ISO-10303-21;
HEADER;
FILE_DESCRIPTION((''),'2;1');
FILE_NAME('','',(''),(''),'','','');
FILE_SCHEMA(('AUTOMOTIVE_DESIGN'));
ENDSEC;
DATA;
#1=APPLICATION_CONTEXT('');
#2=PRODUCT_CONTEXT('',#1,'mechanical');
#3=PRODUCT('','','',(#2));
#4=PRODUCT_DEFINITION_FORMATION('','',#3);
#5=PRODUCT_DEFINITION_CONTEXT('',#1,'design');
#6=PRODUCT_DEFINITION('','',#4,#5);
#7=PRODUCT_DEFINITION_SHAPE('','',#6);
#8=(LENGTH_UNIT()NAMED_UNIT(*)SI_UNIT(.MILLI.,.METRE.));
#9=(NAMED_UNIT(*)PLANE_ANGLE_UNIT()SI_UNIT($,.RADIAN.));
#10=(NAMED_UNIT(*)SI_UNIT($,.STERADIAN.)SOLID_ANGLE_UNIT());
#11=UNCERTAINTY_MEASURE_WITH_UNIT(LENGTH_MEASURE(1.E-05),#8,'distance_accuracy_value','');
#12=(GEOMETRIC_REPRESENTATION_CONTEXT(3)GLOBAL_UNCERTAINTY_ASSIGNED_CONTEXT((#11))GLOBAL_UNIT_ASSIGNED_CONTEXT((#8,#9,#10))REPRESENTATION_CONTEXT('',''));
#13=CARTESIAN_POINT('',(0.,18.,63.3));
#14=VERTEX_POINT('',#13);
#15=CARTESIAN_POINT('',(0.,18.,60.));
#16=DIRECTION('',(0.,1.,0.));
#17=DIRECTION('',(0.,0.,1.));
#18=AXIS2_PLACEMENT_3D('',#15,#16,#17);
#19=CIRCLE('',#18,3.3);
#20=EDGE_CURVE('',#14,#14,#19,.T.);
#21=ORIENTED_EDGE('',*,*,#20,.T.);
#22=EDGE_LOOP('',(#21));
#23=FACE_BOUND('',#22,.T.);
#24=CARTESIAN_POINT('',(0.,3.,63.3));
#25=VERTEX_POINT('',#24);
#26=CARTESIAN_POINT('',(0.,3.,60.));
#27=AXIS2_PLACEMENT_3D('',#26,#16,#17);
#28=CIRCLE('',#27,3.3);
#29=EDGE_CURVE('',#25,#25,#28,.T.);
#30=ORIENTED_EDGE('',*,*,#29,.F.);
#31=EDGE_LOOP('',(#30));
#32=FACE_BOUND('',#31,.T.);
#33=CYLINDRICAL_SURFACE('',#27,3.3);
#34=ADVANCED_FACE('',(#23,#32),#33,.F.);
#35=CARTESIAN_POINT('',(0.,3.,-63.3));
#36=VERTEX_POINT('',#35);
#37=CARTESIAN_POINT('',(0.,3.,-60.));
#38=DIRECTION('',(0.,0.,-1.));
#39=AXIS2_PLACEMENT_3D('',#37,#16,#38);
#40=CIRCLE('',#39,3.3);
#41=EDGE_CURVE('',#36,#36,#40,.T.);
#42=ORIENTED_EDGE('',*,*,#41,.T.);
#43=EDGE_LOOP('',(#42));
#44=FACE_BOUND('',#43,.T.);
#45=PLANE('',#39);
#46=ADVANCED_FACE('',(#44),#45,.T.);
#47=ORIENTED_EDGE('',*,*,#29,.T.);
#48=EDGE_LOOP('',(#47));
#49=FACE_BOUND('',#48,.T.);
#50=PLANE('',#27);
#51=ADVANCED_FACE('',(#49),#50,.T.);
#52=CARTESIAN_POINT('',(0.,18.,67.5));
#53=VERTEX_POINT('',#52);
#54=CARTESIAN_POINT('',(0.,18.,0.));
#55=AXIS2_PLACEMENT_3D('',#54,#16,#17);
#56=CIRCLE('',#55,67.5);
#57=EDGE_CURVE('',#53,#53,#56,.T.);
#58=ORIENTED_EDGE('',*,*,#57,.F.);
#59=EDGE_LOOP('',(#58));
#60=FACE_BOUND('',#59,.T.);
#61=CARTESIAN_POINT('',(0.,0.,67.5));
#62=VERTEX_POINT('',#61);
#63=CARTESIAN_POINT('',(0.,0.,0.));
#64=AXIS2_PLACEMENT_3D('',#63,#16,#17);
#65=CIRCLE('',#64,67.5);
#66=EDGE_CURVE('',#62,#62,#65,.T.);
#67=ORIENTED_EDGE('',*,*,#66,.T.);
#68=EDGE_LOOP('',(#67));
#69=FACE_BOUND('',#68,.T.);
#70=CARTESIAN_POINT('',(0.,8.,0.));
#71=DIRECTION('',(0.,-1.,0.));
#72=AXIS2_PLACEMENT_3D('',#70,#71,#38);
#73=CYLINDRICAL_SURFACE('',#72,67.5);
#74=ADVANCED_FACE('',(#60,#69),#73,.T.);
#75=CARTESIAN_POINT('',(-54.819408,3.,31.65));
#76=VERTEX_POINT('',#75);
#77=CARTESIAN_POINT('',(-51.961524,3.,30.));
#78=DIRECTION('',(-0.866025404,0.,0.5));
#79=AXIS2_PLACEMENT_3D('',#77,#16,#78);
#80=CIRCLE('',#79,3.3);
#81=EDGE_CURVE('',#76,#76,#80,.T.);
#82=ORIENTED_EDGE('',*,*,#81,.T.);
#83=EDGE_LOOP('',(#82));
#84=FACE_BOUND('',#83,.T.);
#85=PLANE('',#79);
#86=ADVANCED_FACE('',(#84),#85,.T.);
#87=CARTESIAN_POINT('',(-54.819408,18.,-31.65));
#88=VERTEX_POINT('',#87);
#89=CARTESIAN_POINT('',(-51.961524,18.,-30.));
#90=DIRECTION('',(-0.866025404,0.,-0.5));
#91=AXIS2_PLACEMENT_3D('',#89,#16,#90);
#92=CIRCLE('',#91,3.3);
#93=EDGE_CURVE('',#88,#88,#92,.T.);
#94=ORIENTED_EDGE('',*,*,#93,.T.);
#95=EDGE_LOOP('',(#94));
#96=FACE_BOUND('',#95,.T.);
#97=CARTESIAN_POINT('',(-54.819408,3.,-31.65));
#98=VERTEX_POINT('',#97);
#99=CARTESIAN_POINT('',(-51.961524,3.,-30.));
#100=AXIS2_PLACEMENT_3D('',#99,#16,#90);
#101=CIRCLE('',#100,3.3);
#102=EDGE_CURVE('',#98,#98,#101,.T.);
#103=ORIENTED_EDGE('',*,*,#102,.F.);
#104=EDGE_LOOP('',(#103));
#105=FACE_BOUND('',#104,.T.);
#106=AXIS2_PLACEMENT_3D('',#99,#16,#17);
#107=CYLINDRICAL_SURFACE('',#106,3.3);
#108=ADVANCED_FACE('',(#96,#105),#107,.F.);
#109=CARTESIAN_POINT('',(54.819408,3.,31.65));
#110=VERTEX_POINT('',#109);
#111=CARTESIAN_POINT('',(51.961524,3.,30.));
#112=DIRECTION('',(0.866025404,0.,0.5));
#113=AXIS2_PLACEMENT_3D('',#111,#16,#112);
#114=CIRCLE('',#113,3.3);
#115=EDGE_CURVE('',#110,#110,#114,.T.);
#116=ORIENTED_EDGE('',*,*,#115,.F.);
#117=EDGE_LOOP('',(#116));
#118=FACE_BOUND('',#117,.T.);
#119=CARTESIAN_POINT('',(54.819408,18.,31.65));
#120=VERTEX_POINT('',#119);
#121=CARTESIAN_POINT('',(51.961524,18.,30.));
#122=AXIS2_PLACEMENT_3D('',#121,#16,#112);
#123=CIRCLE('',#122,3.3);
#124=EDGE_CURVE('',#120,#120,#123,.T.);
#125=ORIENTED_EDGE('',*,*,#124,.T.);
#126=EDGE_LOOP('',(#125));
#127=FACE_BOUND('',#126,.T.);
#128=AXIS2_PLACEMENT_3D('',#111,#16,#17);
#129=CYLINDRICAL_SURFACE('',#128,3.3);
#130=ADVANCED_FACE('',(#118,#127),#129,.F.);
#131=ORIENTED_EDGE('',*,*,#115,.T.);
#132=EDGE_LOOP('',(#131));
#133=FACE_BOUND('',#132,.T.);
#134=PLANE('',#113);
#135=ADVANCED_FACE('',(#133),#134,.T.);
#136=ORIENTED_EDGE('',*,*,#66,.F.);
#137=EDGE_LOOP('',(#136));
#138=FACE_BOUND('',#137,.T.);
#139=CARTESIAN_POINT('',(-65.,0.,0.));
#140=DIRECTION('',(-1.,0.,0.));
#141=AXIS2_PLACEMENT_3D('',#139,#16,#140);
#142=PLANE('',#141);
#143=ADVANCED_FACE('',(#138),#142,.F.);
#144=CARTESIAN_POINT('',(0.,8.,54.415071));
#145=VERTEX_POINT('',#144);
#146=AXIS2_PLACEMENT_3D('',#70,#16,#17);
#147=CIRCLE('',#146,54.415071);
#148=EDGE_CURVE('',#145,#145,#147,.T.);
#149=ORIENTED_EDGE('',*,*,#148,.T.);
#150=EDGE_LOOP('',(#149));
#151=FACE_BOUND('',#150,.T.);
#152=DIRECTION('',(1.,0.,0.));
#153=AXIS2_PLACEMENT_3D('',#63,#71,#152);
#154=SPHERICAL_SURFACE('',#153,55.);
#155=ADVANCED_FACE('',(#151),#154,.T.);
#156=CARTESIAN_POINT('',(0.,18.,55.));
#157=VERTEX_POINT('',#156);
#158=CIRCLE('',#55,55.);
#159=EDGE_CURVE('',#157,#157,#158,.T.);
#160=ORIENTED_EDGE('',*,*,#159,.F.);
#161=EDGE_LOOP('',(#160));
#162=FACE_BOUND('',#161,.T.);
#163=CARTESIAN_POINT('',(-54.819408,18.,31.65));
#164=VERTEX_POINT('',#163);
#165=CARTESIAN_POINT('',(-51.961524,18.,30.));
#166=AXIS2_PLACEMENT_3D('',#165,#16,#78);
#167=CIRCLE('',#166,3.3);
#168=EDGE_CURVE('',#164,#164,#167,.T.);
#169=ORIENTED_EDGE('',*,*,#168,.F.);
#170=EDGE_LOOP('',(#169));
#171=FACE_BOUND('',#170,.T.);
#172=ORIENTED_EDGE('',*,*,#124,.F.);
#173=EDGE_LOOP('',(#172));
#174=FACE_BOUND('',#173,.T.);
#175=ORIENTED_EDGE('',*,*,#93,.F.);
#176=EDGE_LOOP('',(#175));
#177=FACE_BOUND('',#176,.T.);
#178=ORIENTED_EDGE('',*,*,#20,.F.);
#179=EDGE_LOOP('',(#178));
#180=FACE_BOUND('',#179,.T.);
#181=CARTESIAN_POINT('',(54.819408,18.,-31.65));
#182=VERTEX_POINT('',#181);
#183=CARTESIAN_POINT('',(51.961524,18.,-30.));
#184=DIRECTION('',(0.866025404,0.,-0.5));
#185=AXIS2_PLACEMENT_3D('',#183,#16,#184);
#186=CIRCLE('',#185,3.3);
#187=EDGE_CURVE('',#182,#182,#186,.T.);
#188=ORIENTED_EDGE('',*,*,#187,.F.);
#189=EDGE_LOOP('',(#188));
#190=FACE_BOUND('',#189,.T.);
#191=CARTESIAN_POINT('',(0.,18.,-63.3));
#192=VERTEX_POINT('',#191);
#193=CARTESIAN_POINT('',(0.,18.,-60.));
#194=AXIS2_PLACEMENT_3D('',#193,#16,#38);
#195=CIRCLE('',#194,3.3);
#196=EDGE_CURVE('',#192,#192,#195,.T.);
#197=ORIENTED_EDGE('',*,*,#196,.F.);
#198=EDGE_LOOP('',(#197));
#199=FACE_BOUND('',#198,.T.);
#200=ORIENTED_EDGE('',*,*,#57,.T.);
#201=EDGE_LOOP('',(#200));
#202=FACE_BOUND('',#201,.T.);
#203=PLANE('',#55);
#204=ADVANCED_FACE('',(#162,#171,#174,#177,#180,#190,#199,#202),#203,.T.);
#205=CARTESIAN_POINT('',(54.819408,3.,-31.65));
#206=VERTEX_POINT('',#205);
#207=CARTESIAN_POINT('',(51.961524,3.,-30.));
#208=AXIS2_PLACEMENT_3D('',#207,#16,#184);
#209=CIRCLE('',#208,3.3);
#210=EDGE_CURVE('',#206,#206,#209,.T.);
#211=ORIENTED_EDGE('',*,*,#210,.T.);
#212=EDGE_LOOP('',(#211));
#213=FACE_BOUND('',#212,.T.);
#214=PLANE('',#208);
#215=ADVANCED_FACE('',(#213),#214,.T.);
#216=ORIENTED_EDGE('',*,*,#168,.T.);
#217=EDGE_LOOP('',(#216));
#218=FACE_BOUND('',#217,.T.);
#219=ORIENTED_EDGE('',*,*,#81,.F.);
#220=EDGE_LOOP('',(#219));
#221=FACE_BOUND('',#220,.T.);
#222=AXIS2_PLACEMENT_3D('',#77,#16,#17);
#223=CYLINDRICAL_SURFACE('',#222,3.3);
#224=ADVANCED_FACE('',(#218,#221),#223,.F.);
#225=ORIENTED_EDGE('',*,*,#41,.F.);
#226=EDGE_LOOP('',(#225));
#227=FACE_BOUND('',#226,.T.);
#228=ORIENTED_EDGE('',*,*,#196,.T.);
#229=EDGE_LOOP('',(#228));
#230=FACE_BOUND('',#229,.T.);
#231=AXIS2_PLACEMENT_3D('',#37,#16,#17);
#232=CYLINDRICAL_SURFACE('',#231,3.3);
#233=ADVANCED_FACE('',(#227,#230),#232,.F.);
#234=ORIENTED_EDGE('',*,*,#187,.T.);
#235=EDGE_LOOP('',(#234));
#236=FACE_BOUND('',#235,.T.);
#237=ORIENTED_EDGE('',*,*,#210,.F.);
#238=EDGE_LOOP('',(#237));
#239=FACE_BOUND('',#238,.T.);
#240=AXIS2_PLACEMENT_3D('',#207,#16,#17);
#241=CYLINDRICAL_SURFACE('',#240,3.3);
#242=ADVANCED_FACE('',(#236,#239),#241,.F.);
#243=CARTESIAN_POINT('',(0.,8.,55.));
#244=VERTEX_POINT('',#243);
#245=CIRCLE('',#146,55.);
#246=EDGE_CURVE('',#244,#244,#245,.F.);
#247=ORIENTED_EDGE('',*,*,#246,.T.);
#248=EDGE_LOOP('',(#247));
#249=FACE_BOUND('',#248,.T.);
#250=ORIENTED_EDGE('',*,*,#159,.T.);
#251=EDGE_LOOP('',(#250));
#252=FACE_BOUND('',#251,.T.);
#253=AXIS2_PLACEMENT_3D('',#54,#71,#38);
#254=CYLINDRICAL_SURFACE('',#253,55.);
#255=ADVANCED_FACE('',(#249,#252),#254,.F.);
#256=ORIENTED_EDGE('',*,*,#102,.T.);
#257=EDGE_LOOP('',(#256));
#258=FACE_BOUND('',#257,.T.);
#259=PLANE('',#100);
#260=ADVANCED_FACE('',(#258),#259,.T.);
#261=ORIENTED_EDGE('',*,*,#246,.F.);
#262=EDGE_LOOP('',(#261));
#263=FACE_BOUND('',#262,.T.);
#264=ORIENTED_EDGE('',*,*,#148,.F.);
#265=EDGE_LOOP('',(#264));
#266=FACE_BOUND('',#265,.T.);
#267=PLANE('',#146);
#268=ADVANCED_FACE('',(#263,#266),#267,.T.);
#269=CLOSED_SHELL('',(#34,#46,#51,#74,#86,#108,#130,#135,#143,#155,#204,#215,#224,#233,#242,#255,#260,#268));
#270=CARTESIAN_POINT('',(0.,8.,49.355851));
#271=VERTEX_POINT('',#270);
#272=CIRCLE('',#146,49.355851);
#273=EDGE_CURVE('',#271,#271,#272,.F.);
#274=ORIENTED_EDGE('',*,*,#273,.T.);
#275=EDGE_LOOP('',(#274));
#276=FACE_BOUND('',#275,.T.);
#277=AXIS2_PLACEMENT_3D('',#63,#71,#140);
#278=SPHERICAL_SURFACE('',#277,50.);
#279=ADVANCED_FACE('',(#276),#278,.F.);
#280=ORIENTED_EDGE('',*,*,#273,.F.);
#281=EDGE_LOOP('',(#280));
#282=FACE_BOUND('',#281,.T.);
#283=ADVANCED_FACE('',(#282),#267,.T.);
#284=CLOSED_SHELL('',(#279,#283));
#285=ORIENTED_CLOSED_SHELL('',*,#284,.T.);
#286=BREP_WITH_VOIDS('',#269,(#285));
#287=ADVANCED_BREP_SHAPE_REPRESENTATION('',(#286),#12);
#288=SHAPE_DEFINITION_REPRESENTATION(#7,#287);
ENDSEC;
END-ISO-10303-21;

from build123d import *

# Parameters (mm, degrees)
SKETCH2_R           = 67.5
BOSS_EXTRUDE1_DEPTH = 8
SKETCH6_R           = 67.5
SKETCH6_R_2         = 55
BOSS_EXTRUDE2_DEPTH = 10
SKETCH7_R           = 3.3
CUT_EXTRUDE3_DEPTH  = 15
CIRPATTERN2_COUNT   = 6


with BuildPart() as part:
    # Sketch1 → Revolve1 (revolve)
    with BuildSketch(Plane.XY, mode=Mode.PRIVATE) as revolve1_sk:
        with BuildLine():
            Line((-65, 0), (-65, 5))
            Line((-65, 5), (-54.772255751, 5))
            ThreePointArc((-54.772255751, 5), (-37.080992435, 40.620192023), (0, 55))
            Line((0, 55), (0, 50))
            ThreePointArc((0, 50), (-35.355339059, 35.355339059), (-50, 0))
            Line((-50, 0), (-65, 0))
        make_face()
    revolve(revolve1_sk.sketch.rotate(Axis((0, 0, 0), (0, 1, 0)), 180), axis=Axis((0, 0, 0), (0, 1, 0)))

    # Sketch2 → Boss-Extrude1 (add)
    with BuildSketch(Plane(origin=(0, 0, 0), x_dir=(1, 0, 0), z_dir=(0, 1, 0))):
        with Locations(Location((0, 0, 0), (0, 0, 270))):
            Circle(SKETCH2_R)
    extrude(amount=BOSS_EXTRUDE1_DEPTH)

    # Sketch6 → Boss-Extrude2 (add)
    with BuildSketch(Plane(origin=(0, 8, 0), x_dir=(1, 0, 0), z_dir=(0, 1, 0))):
        with Locations(Location((0, 0, 0), (0, 0, 270))):
            Circle(SKETCH6_R)
        with Locations(Location((0, 0, 0), (0, 0, 270))):
            Circle(SKETCH6_R_2, mode=Mode.SUBTRACT)
    extrude(amount=BOSS_EXTRUDE2_DEPTH)

    # Sketch7 → Cut-Extrude3 (cut)
    with BuildSketch(Plane(origin=(0, 18, 0), x_dir=(1, 0, 0), z_dir=(0, 1, 0))):
        with Locations(Location((0, -60, 0), (0, 0, 270))):
            Circle(SKETCH7_R)
    cut_extrude3 = extrude(amount=-CUT_EXTRUDE3_DEPTH, mode=Mode.SUBTRACT)

    # CirPattern2: Cut-Extrude3 ×6 about axis
    cirpattern2_axis = Axis((0, 0, 0), (0, 1, 0))
    for i in range(1, CIRPATTERN2_COUNT):
        add(cut_extrude3.rotate(cirpattern2_axis, i * 360 / CIRPATTERN2_COUNT), mode=Mode.SUBTRACT)


solid = part.part
